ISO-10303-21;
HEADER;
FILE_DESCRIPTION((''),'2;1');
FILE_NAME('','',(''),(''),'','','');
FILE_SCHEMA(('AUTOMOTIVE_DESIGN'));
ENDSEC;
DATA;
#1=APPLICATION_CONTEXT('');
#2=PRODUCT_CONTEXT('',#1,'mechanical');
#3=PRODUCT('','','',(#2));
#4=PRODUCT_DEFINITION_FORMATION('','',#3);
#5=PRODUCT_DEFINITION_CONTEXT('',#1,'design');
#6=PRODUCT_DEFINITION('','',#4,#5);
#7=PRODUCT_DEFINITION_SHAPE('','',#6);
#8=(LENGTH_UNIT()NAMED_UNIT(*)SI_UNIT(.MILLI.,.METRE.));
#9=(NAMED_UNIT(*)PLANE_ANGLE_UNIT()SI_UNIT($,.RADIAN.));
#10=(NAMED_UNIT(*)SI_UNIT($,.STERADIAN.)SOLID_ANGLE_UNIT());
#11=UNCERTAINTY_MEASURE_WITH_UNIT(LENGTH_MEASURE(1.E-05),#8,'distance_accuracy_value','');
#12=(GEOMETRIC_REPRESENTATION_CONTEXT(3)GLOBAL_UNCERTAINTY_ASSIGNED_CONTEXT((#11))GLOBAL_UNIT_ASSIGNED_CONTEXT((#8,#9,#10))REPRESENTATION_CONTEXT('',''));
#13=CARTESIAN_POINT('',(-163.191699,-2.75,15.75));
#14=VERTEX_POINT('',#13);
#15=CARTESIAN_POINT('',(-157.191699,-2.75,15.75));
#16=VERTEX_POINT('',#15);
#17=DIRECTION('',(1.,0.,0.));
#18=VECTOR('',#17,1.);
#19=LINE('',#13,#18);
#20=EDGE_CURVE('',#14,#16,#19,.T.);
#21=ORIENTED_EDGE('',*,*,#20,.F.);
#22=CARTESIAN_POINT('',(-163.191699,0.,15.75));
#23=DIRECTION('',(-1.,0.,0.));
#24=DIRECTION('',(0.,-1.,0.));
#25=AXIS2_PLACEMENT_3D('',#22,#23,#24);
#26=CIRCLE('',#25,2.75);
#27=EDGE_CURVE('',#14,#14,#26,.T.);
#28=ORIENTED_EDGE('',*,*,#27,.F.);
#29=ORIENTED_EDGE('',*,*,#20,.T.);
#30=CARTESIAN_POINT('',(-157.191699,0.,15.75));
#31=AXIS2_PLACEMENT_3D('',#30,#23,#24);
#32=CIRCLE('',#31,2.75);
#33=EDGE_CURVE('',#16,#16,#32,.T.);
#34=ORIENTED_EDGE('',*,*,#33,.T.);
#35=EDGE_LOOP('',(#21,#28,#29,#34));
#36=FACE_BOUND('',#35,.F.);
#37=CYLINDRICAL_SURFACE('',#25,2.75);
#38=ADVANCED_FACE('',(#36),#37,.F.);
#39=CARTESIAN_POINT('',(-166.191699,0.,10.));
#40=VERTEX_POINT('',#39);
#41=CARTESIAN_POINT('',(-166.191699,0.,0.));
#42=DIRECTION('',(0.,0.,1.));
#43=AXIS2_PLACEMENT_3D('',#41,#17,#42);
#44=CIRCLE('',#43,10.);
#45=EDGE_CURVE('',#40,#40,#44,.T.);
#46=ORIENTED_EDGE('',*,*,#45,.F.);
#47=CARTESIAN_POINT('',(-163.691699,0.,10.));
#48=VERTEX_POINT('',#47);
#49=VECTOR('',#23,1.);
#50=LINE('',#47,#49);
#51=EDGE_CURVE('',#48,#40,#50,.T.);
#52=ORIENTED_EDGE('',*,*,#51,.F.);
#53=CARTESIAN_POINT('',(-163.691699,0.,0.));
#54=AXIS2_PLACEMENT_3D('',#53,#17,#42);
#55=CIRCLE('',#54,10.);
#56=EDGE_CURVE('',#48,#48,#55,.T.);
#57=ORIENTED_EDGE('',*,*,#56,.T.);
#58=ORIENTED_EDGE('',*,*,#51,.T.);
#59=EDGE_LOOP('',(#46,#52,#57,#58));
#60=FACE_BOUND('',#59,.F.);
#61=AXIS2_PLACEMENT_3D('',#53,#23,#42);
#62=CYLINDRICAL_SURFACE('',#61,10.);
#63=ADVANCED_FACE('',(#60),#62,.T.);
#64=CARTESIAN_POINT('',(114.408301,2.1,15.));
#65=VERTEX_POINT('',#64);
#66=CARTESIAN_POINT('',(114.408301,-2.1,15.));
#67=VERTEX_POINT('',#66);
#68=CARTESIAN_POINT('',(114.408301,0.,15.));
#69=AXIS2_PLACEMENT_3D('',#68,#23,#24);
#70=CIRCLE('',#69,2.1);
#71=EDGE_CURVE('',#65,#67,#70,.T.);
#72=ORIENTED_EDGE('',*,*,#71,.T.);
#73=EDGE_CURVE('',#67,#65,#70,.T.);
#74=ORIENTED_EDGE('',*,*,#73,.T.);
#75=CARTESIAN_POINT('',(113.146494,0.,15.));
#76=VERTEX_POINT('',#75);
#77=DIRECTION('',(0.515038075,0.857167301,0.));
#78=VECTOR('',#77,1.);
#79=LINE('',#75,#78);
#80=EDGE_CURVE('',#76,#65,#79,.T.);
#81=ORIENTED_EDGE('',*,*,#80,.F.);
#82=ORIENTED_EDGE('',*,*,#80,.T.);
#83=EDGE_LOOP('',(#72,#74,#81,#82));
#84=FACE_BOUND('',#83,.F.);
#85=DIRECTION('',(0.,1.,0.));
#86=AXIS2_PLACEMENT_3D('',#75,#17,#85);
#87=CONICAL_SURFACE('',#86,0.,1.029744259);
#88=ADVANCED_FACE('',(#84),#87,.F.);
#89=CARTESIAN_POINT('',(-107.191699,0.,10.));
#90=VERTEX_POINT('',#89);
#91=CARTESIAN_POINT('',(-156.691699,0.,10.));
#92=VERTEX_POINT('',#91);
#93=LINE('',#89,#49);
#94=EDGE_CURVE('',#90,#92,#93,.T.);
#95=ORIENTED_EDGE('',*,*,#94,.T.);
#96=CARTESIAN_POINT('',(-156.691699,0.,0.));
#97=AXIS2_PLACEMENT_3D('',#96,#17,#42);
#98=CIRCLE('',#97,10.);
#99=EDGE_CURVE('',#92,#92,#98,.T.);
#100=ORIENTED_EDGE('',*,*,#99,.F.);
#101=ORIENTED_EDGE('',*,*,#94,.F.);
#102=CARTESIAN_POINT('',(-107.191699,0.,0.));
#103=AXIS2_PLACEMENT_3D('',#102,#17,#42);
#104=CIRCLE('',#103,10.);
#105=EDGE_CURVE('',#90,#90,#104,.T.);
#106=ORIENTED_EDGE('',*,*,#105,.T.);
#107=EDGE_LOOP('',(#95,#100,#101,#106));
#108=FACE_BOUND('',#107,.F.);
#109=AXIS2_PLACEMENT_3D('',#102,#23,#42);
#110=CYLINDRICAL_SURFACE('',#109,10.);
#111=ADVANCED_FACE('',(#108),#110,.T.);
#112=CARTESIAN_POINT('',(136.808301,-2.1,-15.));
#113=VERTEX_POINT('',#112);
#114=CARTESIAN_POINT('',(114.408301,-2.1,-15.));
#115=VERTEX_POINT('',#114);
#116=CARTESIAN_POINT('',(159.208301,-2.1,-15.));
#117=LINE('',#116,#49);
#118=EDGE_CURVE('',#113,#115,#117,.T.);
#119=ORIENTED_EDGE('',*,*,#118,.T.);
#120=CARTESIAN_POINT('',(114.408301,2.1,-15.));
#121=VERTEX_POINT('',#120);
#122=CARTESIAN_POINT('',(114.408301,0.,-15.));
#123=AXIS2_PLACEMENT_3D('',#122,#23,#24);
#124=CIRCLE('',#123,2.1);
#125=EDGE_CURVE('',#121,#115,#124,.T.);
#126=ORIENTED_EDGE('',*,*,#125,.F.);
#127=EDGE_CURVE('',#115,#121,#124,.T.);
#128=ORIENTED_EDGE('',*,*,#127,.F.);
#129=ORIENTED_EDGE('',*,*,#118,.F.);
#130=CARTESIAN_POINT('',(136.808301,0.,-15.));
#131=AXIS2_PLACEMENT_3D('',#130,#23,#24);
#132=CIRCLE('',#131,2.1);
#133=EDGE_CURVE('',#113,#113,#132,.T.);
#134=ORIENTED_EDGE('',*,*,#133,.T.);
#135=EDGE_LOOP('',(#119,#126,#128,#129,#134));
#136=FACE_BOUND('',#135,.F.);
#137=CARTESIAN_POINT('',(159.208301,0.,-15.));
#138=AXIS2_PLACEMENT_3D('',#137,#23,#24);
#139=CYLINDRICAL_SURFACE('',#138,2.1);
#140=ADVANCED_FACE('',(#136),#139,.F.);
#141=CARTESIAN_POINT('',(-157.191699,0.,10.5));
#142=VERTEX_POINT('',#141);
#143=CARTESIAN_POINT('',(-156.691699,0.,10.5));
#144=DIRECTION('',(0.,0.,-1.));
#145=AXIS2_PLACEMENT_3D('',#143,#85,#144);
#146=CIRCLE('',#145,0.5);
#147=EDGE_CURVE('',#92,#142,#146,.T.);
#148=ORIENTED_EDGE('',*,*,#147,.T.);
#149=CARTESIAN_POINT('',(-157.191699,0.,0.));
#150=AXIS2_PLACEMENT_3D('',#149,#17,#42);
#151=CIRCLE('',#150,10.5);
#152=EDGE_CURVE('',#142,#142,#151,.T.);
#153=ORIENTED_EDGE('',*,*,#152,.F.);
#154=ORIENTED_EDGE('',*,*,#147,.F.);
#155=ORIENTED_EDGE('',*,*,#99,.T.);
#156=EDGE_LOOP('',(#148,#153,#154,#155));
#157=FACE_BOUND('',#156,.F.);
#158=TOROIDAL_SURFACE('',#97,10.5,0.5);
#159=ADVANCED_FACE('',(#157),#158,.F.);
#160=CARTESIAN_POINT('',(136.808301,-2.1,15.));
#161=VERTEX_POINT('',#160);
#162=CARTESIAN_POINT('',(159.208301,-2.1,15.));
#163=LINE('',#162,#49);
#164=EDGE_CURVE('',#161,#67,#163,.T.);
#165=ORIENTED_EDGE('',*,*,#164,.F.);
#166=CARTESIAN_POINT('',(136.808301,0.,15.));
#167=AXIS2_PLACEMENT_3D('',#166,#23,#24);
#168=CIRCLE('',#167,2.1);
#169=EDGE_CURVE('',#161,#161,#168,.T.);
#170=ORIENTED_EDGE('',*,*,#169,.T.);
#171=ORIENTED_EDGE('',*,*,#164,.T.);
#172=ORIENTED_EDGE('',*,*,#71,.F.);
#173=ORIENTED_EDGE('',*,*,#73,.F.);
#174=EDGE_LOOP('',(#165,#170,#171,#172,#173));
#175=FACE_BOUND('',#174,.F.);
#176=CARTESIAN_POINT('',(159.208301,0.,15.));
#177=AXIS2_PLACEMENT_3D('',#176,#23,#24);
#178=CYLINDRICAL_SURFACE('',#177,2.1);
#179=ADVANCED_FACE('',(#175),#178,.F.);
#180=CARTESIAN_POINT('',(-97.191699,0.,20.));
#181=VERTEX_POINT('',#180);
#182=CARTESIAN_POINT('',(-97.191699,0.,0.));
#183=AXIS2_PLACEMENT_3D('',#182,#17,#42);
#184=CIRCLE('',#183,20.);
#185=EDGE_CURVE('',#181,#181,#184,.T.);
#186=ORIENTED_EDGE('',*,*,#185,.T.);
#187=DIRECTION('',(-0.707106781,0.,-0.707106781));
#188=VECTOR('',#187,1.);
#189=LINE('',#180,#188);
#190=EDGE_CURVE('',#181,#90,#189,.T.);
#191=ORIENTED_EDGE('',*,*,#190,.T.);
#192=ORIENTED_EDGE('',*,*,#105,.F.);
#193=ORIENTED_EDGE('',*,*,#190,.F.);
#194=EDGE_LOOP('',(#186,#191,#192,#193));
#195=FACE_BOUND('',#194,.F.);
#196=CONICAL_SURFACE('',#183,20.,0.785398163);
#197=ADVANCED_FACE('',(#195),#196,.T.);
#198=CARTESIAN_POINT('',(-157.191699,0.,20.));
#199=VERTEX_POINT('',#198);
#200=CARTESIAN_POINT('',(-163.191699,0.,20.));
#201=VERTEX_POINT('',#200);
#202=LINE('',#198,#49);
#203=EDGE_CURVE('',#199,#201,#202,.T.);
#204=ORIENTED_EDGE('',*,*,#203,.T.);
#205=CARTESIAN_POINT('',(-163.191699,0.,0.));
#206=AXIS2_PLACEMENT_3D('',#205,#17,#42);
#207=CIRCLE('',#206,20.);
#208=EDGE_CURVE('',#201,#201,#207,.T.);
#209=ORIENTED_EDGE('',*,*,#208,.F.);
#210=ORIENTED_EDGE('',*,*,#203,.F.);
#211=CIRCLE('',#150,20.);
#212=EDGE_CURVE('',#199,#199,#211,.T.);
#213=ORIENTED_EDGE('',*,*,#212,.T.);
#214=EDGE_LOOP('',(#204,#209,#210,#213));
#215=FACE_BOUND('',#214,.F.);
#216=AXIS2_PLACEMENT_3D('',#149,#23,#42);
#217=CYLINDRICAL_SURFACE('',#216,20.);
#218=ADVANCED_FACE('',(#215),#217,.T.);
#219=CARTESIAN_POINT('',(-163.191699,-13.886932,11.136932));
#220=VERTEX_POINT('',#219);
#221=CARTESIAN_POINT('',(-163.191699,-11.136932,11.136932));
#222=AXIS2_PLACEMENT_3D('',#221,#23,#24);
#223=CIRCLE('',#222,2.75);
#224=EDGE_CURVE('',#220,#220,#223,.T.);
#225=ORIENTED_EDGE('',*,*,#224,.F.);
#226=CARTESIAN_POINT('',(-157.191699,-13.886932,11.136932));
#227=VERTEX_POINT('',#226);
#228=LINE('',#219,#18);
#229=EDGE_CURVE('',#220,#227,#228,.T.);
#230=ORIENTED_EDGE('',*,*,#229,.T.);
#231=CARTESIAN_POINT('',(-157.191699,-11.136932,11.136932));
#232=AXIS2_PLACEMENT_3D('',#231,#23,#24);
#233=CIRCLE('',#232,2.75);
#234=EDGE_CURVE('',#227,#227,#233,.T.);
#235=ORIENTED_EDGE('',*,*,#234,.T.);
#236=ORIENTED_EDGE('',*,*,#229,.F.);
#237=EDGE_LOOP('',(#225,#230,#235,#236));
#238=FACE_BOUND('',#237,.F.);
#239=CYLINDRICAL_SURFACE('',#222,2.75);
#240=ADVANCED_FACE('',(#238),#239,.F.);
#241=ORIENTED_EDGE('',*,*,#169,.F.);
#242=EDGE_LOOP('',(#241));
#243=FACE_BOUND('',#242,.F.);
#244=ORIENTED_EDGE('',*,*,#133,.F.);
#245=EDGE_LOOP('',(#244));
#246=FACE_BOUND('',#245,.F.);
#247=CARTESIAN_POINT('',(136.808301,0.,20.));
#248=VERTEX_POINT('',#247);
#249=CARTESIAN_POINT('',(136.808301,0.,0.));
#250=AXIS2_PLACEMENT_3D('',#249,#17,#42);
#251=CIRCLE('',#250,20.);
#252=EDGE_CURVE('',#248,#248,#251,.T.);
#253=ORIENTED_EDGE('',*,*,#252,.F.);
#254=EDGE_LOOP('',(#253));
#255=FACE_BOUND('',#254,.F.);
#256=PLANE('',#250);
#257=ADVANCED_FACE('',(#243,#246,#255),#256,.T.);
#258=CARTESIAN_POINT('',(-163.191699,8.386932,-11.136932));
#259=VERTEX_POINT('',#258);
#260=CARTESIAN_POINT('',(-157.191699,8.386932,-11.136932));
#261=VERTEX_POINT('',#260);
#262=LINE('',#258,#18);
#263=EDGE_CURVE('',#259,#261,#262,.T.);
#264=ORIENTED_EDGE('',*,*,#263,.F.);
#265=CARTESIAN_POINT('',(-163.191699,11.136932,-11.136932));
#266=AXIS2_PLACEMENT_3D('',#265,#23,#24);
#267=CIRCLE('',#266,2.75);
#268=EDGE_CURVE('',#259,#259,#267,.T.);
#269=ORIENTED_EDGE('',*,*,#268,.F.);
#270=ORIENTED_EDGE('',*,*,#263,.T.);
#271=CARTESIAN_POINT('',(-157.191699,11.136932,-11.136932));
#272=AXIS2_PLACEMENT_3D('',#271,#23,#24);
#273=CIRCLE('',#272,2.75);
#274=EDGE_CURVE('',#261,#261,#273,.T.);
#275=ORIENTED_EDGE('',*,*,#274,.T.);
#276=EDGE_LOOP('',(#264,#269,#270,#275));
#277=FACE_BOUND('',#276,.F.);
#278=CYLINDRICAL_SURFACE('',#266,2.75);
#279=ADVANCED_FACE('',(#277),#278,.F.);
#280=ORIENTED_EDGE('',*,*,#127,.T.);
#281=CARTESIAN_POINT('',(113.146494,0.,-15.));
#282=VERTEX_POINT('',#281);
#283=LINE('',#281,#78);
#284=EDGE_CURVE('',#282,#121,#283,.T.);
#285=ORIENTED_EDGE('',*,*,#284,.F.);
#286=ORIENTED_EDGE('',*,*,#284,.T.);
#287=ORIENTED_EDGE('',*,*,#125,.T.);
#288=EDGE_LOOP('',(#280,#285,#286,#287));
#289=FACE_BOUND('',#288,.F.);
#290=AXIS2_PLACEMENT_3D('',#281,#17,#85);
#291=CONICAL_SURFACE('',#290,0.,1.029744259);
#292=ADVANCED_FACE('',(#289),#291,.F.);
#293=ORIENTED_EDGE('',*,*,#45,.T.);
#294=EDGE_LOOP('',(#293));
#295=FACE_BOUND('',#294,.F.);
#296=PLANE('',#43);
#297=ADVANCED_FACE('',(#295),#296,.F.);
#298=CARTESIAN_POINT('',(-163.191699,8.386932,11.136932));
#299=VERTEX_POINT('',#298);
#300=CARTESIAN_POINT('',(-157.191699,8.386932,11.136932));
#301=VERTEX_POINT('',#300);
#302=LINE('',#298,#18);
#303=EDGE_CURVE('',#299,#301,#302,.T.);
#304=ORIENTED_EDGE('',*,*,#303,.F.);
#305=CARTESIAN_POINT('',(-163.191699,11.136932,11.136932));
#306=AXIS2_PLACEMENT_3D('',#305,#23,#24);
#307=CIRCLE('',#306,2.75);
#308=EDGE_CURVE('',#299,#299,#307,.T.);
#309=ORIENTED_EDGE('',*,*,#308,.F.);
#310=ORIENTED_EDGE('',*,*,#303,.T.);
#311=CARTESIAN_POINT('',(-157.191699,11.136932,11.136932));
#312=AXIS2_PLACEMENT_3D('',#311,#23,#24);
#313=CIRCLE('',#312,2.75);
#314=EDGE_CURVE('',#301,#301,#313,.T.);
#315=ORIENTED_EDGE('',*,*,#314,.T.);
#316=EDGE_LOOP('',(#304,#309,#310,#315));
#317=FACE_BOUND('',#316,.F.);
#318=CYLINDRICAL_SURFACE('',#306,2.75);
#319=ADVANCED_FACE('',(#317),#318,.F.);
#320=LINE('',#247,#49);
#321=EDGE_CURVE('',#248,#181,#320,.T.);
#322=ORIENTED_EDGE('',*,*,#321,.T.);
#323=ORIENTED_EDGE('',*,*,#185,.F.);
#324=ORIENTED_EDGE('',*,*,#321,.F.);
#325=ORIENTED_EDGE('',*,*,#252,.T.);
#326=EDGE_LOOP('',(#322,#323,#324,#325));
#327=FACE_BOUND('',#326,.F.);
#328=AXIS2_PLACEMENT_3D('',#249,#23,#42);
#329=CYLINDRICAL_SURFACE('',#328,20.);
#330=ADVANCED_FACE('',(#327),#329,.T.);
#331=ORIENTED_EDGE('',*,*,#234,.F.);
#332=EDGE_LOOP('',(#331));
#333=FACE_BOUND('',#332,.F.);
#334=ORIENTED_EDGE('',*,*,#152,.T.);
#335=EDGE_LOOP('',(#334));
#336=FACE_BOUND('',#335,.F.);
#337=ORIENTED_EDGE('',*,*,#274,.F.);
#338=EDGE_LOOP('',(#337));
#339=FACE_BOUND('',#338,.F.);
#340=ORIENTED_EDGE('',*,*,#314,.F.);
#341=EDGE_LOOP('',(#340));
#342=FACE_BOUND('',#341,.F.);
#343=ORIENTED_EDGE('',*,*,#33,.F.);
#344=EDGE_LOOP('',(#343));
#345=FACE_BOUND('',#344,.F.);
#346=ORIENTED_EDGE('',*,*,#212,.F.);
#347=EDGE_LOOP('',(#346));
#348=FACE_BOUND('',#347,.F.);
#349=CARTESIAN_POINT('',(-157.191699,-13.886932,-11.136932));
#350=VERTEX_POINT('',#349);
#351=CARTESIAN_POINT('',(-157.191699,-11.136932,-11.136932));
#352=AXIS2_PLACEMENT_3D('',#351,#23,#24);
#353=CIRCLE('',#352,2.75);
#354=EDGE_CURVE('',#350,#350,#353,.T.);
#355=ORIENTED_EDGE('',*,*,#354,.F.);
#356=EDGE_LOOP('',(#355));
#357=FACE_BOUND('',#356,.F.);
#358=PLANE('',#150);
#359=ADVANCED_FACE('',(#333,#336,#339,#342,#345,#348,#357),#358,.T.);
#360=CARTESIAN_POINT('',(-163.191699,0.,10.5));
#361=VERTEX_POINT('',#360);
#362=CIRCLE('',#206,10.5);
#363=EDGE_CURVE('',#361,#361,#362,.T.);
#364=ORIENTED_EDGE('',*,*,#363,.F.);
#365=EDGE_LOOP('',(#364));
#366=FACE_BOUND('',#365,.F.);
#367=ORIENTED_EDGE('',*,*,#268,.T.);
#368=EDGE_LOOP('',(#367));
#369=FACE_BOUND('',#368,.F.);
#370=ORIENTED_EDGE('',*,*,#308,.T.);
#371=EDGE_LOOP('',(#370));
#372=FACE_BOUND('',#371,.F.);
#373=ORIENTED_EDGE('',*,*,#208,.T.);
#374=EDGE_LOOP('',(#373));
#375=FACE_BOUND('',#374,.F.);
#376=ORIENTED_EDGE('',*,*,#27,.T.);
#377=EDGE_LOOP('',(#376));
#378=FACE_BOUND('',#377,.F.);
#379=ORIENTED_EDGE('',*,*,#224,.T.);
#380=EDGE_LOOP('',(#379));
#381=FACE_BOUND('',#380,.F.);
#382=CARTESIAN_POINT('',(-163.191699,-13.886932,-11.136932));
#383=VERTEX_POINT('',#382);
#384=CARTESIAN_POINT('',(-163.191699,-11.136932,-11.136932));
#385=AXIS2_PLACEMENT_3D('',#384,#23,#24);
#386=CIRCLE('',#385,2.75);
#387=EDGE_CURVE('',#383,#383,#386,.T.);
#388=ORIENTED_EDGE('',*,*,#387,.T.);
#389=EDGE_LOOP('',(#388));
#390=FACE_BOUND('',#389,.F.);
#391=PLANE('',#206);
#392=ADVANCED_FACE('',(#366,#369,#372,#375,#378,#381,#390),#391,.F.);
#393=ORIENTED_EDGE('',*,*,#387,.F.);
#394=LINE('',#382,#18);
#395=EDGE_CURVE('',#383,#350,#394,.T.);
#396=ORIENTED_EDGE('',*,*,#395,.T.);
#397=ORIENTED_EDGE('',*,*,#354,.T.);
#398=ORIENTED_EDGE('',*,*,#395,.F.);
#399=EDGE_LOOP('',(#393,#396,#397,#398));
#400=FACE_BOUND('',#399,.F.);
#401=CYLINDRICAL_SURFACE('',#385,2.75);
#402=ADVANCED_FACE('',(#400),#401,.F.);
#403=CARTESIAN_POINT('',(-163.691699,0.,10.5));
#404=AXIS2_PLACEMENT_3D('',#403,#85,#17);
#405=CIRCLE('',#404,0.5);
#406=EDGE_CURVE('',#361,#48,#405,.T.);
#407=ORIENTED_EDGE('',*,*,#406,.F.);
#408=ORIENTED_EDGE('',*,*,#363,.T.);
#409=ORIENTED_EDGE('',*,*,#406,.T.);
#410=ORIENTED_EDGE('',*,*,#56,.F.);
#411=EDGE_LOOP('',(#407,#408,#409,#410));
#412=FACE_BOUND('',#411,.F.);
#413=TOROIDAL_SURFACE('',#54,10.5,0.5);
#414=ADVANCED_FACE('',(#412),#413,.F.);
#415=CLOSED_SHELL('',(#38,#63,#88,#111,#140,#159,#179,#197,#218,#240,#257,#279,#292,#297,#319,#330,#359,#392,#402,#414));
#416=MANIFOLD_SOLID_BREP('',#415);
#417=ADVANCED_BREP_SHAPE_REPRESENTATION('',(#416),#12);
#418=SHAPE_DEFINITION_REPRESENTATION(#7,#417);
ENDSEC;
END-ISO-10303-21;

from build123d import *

# Parameters (mm, degrees)
F2_R     = 2.75
F3_DEPTH = 25
F5_D     = 4.2
F5_DEPTH = 22.4
F5_TIP   = 1.2618073


with BuildPart() as f1:
    # F0 (on Front) → F1 (revolve)
    with BuildSketch(Plane.XZ):
        with BuildLine():
            Line((-166.1916986587, 0), (-163.1916986587, 0))
            Line((-163.1916986587, 0), (136.8083013413, 0))
            Line((136.8083013413, 0), (136.8083013413, 20))
            Line((136.8083013413, 20), (-97.1916986587, 20))
            Line((-97.1916986587, 20), (-107.1916986587, 10))
            Line((-107.1916986587, 10), (-156.6916986587, 10))
            ThreePointArc((-156.6916986587, 10), (-157.0452520493, 10.1464466094), (-157.1916986587, 10.5))
            Line((-157.1916986587, 10.5), (-157.1916986587, 20))
            Line((-157.1916986587, 20), (-163.1916986587, 20))
            Line((-163.1916986587, 20), (-163.1916986587, 10.5))
            ThreePointArc((-163.1916986587, 10.5), (-163.3381452681, 10.1464466094), (-163.6916986587, 10))
            Line((-163.6916986587, 10), (-166.1916986587, 10))
            Line((-166.1916986587, 10), (-166.1916986587, 0))
        make_face()
    revolve(axis=Axis((-0.7568523288, 0, 0), (1, 0, 0)))

    # F2 (on face) → F3 (cut)
    with BuildSketch(Plane(origin=(-163.1916986587, 0, 0), x_dir=(0, -1, 0), z_dir=(-1, 0, 0))):
        with Locations((0, 15.75)):
            Circle(F2_R)
        with Locations((-11.1369318037, 11.1369318037)):
            Circle(F2_R)
        with Locations((-11.1369318037, -11.1369318037)):
            Circle(F2_R)
        with Locations((11.1369318037, -11.1369318037)):
            Circle(F2_R)
        with Locations((11.1369318037, 11.1369318037)):
            Circle(F2_R)
    extrude(amount=-F3_DEPTH, mode=Mode.SUBTRACT)

    # F5
    with Locations(Plane.YZ.offset(136.8083013413)):
        with Locations((0, 15), (0, -15)):
            Hole(F5_D / 2, depth=F5_DEPTH)
            with Locations((0, 0, -(F5_DEPTH + F5_TIP / 2))):  # 118° drill point
                Cone(0, F5_D / 2, F5_TIP, mode=Mode.SUBTRACT)


solid = f1.part
